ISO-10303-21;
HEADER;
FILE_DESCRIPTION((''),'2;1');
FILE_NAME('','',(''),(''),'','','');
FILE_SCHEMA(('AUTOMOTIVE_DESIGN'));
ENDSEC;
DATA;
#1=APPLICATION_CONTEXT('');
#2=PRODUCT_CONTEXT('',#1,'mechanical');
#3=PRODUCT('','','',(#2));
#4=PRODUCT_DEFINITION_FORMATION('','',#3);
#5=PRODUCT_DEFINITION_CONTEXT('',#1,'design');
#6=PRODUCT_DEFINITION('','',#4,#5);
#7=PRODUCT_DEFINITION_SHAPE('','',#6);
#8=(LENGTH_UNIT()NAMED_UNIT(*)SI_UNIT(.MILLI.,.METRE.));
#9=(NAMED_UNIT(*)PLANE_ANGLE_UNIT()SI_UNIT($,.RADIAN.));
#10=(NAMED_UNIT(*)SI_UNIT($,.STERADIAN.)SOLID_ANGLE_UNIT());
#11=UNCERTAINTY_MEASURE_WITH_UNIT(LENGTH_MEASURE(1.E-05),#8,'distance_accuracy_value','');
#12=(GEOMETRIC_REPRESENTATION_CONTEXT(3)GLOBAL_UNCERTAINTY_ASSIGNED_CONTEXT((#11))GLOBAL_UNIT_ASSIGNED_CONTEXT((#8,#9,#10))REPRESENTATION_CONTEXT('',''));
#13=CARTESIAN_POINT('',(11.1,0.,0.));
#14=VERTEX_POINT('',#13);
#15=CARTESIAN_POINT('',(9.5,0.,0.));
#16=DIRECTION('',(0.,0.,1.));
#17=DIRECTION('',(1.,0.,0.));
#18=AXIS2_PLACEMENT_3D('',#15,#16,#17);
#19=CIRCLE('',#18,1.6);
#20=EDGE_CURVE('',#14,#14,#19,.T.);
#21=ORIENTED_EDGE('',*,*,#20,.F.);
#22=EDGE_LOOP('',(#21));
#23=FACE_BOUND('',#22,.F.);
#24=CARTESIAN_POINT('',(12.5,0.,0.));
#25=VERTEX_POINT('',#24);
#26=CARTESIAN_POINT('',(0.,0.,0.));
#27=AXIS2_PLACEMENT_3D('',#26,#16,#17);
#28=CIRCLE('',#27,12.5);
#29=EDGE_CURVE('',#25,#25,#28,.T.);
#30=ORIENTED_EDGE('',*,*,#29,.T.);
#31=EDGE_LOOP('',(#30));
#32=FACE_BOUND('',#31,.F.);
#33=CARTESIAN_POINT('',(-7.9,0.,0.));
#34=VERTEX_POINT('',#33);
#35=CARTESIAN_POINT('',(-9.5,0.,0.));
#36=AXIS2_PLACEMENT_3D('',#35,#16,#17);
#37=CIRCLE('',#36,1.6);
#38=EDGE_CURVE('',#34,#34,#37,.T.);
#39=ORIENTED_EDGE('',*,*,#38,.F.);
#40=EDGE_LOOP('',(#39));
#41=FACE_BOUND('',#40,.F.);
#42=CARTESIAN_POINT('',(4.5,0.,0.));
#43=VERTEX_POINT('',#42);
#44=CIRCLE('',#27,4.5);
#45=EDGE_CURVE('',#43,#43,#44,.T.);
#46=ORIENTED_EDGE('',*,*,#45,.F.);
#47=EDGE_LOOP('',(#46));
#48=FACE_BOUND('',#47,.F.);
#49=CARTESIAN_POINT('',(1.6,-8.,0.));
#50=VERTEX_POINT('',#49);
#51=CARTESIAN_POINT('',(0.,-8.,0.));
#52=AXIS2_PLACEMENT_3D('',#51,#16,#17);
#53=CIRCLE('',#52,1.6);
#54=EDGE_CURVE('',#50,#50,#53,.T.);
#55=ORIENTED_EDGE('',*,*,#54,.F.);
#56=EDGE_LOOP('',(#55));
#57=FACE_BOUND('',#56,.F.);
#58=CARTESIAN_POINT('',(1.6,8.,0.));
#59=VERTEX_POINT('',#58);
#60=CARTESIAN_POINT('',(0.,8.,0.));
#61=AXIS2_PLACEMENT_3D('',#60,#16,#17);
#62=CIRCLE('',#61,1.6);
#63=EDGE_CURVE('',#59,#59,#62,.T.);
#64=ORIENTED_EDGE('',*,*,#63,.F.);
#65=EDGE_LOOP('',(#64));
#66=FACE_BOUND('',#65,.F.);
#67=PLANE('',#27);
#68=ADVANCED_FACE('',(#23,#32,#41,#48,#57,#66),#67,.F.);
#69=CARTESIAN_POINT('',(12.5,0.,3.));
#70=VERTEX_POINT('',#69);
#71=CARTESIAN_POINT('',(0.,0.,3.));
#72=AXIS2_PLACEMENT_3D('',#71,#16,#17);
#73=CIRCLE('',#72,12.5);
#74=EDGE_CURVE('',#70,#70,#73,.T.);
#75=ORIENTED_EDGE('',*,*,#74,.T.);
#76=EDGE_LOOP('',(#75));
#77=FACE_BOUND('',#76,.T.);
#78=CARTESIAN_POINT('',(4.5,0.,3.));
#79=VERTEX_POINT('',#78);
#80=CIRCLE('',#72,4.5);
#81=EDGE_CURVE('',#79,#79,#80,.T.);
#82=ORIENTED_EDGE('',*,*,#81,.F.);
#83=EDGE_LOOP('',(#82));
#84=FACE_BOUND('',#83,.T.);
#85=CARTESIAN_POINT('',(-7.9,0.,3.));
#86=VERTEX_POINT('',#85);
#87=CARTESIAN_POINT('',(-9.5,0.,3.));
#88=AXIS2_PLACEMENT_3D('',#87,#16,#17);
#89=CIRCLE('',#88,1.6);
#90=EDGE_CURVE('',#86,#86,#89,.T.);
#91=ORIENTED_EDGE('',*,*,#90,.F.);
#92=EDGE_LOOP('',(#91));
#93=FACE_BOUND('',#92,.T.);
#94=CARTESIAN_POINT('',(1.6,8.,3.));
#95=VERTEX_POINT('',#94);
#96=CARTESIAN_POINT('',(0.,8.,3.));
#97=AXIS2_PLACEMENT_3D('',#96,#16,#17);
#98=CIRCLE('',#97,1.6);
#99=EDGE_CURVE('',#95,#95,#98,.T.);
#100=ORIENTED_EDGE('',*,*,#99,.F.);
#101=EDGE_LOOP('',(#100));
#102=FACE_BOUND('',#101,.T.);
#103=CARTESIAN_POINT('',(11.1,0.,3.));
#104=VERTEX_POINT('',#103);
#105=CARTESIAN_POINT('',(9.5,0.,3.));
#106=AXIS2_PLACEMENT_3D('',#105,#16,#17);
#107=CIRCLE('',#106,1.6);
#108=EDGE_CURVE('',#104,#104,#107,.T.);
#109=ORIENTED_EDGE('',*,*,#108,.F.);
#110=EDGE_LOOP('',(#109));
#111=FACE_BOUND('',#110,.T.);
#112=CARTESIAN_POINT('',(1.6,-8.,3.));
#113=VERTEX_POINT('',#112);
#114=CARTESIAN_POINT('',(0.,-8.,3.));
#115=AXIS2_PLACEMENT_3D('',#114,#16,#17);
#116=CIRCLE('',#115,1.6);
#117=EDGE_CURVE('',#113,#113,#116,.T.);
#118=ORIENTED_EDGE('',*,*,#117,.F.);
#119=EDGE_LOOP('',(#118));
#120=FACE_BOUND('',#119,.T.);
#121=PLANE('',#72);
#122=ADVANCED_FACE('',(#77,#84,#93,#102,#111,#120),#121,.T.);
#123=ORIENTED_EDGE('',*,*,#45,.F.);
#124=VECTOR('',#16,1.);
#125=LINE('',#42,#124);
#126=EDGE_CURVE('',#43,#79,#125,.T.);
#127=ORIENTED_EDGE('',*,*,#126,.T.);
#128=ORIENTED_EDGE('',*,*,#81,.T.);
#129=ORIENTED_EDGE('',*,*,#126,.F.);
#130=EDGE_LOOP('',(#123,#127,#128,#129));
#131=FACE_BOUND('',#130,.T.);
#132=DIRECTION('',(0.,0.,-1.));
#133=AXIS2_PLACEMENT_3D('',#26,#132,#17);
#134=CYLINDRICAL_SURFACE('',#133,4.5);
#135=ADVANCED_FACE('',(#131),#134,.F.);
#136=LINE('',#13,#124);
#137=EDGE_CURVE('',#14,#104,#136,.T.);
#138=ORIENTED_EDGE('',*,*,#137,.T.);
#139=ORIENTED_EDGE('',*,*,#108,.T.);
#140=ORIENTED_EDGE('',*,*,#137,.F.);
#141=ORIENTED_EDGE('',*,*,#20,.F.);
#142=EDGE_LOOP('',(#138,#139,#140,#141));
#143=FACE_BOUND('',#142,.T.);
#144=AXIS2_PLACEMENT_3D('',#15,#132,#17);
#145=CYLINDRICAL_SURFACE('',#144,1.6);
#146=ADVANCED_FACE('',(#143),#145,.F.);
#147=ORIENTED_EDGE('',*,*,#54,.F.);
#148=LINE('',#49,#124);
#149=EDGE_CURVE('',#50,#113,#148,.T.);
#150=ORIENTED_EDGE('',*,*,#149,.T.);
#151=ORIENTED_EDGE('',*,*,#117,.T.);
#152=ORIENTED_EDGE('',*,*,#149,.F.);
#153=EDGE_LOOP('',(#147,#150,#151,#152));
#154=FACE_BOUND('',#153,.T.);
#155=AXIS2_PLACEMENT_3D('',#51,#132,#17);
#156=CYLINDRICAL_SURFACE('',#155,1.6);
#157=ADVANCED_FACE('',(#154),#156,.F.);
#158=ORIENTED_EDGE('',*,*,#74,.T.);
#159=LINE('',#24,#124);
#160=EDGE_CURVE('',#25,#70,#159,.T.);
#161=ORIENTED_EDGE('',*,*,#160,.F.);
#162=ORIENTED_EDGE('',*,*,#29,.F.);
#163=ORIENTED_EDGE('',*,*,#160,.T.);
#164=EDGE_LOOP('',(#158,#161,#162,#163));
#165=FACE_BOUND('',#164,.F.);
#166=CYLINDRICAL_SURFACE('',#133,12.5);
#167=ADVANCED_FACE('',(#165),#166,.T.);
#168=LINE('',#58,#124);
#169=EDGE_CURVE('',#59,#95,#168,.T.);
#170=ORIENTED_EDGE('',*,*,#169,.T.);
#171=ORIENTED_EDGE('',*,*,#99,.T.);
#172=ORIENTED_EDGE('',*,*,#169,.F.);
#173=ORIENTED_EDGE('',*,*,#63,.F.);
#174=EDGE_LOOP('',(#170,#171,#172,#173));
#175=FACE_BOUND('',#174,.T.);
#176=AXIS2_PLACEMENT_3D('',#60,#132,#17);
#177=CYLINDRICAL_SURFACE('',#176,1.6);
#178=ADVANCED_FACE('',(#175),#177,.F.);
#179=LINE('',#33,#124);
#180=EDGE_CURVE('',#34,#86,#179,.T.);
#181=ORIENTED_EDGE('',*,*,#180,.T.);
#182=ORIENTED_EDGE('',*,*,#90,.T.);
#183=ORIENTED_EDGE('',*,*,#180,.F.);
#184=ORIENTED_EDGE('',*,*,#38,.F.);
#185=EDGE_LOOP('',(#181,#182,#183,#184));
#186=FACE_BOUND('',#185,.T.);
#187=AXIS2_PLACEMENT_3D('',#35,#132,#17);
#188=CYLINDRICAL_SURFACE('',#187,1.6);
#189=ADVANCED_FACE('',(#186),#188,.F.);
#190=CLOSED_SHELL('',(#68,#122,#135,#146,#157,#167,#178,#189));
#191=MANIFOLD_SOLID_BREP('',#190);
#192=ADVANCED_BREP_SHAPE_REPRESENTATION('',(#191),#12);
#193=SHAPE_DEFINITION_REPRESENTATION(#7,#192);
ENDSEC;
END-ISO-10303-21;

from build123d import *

# Parameters (mm, degrees)
SKETCH_R   = 12.5
SKETCH_R_2 = 1.6
SKETCH_R_3 = 4.5
PAD_DEPTH  = 3


with BuildPart() as part:
    # Sketch → Pad (new body)
    with BuildSketch(Plane.XY):
        Circle(SKETCH_R)
        with Locations((0, 8)):
            Circle(SKETCH_R_2, mode=Mode.SUBTRACT)
        with Locations((0, -8)):
            Circle(SKETCH_R_2, mode=Mode.SUBTRACT)
        with Locations((9.5, 0)):
            Circle(SKETCH_R_2, mode=Mode.SUBTRACT)
        with Locations((-9.5, 0)):
            Circle(SKETCH_R_2, mode=Mode.SUBTRACT)
        Circle(SKETCH_R_3, mode=Mode.SUBTRACT)
    extrude(amount=PAD_DEPTH)


solid = part.part
